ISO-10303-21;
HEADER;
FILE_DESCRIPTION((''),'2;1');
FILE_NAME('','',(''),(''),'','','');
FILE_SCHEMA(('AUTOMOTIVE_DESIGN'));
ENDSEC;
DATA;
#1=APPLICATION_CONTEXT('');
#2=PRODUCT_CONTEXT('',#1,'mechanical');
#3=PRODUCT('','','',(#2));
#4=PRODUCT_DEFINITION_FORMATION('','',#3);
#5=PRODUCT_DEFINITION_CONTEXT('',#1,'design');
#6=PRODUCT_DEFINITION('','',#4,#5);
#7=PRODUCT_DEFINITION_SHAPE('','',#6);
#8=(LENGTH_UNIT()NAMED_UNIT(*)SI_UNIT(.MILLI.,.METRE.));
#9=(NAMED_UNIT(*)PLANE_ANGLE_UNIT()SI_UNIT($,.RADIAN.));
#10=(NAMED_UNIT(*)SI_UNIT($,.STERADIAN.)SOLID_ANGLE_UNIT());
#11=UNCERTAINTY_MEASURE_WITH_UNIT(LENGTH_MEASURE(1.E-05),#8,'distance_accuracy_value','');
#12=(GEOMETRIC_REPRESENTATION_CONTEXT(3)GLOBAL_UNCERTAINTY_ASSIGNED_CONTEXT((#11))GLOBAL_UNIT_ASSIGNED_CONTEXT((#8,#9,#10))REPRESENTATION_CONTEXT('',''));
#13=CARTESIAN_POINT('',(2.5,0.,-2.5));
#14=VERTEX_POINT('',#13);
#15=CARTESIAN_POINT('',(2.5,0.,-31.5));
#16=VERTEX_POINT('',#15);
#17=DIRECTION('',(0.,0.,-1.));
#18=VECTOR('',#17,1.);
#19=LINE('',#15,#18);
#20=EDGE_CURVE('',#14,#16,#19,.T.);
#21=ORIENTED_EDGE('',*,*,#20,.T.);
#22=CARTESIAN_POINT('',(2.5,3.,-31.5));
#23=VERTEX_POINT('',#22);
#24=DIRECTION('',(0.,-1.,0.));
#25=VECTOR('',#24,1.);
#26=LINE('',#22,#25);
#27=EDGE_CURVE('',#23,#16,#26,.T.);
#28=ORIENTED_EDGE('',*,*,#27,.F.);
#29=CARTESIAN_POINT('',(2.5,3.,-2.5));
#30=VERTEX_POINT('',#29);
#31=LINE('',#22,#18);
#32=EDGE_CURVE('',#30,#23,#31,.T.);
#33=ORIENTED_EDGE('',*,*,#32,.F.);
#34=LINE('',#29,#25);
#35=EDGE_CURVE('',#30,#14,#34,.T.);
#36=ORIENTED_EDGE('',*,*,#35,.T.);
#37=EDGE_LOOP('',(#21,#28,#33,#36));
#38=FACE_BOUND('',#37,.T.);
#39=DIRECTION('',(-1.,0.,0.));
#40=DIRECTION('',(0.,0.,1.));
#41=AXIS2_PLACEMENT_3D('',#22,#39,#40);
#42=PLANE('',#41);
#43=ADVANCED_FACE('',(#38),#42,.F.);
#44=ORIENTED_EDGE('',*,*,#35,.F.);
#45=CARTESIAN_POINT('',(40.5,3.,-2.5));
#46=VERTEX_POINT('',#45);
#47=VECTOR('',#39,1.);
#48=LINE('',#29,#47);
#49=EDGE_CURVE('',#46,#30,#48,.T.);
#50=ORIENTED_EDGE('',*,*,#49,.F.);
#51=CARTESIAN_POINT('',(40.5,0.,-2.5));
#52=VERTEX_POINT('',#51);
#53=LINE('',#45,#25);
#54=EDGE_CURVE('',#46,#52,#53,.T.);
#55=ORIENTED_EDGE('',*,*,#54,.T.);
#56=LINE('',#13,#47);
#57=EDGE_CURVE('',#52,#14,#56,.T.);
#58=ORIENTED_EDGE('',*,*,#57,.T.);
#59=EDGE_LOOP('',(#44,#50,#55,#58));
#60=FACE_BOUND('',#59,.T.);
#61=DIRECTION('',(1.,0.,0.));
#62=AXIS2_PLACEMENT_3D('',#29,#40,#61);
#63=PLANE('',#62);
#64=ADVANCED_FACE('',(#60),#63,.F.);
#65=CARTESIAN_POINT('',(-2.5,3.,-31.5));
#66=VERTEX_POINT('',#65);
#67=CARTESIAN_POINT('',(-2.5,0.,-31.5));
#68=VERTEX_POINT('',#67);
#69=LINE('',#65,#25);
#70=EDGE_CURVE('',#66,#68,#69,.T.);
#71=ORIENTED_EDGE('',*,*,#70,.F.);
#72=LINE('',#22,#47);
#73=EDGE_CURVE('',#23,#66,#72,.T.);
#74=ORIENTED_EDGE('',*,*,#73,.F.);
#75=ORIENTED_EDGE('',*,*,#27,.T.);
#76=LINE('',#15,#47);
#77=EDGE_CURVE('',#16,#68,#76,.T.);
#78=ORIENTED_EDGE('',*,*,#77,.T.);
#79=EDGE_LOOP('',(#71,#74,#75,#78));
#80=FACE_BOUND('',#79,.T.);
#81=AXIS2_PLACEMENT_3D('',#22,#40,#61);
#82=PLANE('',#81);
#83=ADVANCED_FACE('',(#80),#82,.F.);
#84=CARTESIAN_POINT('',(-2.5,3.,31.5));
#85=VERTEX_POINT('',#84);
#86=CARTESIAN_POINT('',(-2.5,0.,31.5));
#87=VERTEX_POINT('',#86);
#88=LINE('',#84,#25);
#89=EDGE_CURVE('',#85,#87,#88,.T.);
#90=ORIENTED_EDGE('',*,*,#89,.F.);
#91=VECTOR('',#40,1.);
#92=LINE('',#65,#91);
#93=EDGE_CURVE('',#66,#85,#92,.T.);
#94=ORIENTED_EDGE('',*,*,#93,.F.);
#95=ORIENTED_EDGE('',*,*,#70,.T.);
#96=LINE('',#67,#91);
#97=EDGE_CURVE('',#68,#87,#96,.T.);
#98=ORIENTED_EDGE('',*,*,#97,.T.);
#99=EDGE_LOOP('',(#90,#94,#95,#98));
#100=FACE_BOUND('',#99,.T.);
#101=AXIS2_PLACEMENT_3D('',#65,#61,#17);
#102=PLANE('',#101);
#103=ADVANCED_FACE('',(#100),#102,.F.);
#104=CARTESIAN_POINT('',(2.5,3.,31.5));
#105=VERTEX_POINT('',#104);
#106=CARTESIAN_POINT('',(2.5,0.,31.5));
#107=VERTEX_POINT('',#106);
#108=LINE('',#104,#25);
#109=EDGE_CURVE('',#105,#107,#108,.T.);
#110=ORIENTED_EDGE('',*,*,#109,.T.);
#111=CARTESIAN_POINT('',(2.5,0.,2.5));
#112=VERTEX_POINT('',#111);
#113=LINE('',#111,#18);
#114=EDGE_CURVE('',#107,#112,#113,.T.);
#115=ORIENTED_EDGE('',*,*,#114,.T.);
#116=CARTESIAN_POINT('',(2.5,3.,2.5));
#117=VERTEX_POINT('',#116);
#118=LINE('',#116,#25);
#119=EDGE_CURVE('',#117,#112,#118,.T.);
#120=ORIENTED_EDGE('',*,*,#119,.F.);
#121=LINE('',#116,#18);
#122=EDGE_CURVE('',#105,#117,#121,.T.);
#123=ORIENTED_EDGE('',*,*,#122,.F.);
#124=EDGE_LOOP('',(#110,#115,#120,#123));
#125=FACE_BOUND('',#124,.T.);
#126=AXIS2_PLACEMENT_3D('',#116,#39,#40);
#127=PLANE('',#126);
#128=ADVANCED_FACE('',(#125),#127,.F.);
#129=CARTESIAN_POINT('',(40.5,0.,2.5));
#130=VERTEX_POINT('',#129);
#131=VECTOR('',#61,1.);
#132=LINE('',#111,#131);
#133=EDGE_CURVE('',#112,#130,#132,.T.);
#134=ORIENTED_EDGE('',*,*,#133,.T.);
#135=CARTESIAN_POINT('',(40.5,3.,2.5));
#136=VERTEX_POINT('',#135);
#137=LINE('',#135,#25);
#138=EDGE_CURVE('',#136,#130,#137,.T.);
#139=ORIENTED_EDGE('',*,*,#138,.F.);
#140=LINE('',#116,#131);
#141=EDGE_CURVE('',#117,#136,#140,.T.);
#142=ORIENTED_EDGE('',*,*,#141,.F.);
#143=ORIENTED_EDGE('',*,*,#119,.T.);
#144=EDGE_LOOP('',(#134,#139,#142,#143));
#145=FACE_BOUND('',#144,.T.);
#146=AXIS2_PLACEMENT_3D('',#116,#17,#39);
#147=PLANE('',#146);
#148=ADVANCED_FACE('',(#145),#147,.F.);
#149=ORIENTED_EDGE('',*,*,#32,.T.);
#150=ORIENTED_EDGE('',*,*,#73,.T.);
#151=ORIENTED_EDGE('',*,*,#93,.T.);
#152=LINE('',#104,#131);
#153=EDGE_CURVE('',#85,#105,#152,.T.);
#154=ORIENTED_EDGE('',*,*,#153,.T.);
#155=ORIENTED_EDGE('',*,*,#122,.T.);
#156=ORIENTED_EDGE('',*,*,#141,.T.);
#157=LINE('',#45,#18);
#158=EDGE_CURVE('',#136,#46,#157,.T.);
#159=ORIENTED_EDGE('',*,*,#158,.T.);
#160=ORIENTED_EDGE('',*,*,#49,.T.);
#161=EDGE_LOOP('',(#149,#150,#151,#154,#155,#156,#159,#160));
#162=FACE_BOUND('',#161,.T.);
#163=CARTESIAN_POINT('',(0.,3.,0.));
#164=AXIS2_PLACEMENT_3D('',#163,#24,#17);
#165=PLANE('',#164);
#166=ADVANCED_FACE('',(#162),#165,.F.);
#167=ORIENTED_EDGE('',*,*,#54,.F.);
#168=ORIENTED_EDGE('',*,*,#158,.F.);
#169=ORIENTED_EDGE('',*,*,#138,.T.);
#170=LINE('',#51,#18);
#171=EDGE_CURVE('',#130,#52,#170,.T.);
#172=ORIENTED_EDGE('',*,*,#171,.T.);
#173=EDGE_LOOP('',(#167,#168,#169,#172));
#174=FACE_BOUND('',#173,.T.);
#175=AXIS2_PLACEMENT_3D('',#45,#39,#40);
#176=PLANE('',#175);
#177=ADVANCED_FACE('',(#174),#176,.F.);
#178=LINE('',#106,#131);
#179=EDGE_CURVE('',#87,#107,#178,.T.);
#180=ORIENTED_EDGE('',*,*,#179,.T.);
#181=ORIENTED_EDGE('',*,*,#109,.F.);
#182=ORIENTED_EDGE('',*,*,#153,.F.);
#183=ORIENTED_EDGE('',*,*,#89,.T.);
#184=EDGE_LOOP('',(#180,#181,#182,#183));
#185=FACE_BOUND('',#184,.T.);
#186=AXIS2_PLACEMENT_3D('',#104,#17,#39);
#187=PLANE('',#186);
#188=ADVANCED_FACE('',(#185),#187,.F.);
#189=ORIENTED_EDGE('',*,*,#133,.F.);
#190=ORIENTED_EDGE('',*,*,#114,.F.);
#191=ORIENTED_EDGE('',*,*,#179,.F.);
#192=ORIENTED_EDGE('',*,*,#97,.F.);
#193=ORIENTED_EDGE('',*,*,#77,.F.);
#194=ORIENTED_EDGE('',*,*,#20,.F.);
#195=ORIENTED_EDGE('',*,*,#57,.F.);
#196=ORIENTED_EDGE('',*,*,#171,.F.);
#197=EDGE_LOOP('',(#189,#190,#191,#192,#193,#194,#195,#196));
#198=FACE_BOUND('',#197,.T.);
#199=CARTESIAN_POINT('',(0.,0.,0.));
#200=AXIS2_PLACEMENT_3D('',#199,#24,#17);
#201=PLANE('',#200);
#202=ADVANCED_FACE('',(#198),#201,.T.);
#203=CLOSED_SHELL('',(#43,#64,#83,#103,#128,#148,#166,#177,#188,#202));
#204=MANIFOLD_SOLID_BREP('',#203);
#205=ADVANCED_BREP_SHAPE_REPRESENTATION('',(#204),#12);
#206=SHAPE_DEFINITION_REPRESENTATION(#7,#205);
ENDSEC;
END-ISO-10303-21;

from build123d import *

# Parameters (mm, degrees)
BOSS_EXTRUDE1_DEPTH = 3


with BuildPart() as part:
    # Sketch1 → Boss-Extrude1 (new body)
    with BuildSketch(Plane(origin=(0, 0, 0), x_dir=(1, 0, 0), z_dir=(0, 1, 0))):
        Polygon((2.5, 31.5), (-2.5, 31.5), (-2.5, -31.5), (2.5, -31.5), (2.5, -2.5), (40.5, -2.5), (40.5, 2.5), (2.5, 2.5), align=None)
    extrude(amount=BOSS_EXTRUDE1_DEPTH)


solid = part.part
